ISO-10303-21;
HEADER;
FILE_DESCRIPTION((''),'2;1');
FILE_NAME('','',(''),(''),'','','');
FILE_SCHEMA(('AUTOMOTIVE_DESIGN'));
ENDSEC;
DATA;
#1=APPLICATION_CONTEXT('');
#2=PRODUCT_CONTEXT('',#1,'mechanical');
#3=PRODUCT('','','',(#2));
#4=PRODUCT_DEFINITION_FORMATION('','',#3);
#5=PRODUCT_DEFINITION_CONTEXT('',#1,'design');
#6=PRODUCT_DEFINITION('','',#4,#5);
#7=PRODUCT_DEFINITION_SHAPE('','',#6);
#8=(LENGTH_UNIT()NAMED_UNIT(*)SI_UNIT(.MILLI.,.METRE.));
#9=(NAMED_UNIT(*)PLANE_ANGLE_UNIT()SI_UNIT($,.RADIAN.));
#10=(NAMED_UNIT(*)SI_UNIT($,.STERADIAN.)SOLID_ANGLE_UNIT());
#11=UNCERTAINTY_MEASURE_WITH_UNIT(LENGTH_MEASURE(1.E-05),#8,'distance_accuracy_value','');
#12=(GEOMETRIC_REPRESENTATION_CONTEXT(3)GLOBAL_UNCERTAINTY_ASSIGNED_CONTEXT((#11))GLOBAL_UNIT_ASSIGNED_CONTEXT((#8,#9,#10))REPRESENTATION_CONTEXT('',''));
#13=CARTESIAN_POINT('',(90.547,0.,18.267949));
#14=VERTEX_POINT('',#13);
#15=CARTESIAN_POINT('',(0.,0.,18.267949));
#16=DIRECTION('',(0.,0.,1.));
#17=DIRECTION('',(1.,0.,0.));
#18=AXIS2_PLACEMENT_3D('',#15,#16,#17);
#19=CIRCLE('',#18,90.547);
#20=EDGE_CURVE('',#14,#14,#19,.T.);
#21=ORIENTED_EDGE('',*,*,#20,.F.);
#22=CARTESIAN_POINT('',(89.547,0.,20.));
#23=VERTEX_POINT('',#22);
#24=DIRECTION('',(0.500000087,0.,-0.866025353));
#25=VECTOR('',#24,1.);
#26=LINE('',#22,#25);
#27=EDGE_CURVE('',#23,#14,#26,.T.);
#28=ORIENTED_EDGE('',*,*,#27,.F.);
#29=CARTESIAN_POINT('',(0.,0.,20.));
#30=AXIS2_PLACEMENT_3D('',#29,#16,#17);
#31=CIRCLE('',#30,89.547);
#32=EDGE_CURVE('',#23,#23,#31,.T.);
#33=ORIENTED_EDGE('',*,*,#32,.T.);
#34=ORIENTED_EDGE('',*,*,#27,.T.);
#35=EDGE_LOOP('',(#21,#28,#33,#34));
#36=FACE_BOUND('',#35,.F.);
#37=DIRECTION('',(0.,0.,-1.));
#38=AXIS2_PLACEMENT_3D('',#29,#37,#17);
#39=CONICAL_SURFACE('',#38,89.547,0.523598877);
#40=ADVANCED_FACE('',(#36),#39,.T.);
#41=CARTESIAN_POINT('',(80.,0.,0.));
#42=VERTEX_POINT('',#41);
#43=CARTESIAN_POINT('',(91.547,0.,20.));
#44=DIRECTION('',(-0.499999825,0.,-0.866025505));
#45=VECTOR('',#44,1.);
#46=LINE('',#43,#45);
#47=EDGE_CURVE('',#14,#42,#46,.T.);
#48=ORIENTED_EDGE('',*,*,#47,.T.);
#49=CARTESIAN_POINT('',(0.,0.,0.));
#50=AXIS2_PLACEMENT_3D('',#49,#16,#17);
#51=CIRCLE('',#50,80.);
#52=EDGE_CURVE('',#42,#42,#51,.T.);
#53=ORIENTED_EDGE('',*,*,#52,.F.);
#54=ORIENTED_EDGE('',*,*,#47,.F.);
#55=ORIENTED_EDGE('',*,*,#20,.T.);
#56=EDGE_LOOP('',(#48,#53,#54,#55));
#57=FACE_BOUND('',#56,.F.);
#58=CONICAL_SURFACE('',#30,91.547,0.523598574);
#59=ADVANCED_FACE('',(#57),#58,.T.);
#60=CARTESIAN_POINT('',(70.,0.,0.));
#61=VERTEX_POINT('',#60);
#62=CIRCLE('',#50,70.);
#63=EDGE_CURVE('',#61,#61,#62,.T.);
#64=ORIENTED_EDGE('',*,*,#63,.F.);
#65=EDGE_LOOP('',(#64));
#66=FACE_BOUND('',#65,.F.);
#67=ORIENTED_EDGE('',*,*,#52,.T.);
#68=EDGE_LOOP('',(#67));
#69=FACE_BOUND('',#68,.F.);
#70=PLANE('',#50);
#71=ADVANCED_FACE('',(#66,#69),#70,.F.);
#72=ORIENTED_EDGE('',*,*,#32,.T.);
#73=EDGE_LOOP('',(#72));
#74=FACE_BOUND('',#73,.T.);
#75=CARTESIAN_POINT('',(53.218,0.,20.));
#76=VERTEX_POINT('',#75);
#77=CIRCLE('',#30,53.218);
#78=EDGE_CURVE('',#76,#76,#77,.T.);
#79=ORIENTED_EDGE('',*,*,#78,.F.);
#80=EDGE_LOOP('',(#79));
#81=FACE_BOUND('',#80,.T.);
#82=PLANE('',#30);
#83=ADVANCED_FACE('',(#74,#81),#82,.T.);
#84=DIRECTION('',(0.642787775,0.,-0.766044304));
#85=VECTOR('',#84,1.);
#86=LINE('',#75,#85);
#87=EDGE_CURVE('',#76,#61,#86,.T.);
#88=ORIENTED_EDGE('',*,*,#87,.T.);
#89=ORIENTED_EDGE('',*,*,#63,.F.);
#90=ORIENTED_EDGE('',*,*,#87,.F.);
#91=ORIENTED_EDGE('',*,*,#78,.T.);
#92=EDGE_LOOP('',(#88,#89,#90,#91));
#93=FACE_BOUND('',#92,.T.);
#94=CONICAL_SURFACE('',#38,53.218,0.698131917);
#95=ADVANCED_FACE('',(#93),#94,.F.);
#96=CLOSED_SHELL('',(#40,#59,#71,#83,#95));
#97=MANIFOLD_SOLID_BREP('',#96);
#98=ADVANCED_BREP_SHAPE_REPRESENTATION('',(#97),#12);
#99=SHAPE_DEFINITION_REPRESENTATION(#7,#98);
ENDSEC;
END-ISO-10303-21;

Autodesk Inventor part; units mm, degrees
ref_plane "YZ Plane" through (0, 0, 0) normal (1, 0, 0) x (0, 1, 0)
ref_plane "XZ Plane" through (0, 0, 0) normal (0, 1, 0) x (-1, 0, 0)
ref_plane "XY Plane" through (0, 0, 0) normal (0, 0, 1) x (1, 0, 0)
sketch "Sketch1" plane through (0, 0, 0) normal (0, 1, 0) x (-1, 0, 0)
  line L0 (0, 0) -> (0, 20)
  line L1 (-91.547, 20) -> (-80, 0)
  line L2 (-91.547, 20) -> (-53.218, 20)
  line L3 (-53.218, 20) -> (-70, 0)
  line L4 (-80, 0) -> (-70, 0)
  dimension "d0" = 160
  dimension "d2" = 20
  dimension "d5" = 30
  dimension "d6" = 40
  dimension "d7" = 10
revolve "Revolution1" add sketch "Sketch1" angle 360 about axis through (0, 0, 0) along (0, 0, 1)
chamfer "Chamfer1" distance 2 angle 45 1 edges at (-91.547, 0, 20)
equation "\"d5\" = outer"
equation "\"d6\" = inner"
equation "\"outer\" = 30deg"
equation "\"inner\" = 40deg"
properties part number "test-external-cone-overhang" material "ABS Plastic"
